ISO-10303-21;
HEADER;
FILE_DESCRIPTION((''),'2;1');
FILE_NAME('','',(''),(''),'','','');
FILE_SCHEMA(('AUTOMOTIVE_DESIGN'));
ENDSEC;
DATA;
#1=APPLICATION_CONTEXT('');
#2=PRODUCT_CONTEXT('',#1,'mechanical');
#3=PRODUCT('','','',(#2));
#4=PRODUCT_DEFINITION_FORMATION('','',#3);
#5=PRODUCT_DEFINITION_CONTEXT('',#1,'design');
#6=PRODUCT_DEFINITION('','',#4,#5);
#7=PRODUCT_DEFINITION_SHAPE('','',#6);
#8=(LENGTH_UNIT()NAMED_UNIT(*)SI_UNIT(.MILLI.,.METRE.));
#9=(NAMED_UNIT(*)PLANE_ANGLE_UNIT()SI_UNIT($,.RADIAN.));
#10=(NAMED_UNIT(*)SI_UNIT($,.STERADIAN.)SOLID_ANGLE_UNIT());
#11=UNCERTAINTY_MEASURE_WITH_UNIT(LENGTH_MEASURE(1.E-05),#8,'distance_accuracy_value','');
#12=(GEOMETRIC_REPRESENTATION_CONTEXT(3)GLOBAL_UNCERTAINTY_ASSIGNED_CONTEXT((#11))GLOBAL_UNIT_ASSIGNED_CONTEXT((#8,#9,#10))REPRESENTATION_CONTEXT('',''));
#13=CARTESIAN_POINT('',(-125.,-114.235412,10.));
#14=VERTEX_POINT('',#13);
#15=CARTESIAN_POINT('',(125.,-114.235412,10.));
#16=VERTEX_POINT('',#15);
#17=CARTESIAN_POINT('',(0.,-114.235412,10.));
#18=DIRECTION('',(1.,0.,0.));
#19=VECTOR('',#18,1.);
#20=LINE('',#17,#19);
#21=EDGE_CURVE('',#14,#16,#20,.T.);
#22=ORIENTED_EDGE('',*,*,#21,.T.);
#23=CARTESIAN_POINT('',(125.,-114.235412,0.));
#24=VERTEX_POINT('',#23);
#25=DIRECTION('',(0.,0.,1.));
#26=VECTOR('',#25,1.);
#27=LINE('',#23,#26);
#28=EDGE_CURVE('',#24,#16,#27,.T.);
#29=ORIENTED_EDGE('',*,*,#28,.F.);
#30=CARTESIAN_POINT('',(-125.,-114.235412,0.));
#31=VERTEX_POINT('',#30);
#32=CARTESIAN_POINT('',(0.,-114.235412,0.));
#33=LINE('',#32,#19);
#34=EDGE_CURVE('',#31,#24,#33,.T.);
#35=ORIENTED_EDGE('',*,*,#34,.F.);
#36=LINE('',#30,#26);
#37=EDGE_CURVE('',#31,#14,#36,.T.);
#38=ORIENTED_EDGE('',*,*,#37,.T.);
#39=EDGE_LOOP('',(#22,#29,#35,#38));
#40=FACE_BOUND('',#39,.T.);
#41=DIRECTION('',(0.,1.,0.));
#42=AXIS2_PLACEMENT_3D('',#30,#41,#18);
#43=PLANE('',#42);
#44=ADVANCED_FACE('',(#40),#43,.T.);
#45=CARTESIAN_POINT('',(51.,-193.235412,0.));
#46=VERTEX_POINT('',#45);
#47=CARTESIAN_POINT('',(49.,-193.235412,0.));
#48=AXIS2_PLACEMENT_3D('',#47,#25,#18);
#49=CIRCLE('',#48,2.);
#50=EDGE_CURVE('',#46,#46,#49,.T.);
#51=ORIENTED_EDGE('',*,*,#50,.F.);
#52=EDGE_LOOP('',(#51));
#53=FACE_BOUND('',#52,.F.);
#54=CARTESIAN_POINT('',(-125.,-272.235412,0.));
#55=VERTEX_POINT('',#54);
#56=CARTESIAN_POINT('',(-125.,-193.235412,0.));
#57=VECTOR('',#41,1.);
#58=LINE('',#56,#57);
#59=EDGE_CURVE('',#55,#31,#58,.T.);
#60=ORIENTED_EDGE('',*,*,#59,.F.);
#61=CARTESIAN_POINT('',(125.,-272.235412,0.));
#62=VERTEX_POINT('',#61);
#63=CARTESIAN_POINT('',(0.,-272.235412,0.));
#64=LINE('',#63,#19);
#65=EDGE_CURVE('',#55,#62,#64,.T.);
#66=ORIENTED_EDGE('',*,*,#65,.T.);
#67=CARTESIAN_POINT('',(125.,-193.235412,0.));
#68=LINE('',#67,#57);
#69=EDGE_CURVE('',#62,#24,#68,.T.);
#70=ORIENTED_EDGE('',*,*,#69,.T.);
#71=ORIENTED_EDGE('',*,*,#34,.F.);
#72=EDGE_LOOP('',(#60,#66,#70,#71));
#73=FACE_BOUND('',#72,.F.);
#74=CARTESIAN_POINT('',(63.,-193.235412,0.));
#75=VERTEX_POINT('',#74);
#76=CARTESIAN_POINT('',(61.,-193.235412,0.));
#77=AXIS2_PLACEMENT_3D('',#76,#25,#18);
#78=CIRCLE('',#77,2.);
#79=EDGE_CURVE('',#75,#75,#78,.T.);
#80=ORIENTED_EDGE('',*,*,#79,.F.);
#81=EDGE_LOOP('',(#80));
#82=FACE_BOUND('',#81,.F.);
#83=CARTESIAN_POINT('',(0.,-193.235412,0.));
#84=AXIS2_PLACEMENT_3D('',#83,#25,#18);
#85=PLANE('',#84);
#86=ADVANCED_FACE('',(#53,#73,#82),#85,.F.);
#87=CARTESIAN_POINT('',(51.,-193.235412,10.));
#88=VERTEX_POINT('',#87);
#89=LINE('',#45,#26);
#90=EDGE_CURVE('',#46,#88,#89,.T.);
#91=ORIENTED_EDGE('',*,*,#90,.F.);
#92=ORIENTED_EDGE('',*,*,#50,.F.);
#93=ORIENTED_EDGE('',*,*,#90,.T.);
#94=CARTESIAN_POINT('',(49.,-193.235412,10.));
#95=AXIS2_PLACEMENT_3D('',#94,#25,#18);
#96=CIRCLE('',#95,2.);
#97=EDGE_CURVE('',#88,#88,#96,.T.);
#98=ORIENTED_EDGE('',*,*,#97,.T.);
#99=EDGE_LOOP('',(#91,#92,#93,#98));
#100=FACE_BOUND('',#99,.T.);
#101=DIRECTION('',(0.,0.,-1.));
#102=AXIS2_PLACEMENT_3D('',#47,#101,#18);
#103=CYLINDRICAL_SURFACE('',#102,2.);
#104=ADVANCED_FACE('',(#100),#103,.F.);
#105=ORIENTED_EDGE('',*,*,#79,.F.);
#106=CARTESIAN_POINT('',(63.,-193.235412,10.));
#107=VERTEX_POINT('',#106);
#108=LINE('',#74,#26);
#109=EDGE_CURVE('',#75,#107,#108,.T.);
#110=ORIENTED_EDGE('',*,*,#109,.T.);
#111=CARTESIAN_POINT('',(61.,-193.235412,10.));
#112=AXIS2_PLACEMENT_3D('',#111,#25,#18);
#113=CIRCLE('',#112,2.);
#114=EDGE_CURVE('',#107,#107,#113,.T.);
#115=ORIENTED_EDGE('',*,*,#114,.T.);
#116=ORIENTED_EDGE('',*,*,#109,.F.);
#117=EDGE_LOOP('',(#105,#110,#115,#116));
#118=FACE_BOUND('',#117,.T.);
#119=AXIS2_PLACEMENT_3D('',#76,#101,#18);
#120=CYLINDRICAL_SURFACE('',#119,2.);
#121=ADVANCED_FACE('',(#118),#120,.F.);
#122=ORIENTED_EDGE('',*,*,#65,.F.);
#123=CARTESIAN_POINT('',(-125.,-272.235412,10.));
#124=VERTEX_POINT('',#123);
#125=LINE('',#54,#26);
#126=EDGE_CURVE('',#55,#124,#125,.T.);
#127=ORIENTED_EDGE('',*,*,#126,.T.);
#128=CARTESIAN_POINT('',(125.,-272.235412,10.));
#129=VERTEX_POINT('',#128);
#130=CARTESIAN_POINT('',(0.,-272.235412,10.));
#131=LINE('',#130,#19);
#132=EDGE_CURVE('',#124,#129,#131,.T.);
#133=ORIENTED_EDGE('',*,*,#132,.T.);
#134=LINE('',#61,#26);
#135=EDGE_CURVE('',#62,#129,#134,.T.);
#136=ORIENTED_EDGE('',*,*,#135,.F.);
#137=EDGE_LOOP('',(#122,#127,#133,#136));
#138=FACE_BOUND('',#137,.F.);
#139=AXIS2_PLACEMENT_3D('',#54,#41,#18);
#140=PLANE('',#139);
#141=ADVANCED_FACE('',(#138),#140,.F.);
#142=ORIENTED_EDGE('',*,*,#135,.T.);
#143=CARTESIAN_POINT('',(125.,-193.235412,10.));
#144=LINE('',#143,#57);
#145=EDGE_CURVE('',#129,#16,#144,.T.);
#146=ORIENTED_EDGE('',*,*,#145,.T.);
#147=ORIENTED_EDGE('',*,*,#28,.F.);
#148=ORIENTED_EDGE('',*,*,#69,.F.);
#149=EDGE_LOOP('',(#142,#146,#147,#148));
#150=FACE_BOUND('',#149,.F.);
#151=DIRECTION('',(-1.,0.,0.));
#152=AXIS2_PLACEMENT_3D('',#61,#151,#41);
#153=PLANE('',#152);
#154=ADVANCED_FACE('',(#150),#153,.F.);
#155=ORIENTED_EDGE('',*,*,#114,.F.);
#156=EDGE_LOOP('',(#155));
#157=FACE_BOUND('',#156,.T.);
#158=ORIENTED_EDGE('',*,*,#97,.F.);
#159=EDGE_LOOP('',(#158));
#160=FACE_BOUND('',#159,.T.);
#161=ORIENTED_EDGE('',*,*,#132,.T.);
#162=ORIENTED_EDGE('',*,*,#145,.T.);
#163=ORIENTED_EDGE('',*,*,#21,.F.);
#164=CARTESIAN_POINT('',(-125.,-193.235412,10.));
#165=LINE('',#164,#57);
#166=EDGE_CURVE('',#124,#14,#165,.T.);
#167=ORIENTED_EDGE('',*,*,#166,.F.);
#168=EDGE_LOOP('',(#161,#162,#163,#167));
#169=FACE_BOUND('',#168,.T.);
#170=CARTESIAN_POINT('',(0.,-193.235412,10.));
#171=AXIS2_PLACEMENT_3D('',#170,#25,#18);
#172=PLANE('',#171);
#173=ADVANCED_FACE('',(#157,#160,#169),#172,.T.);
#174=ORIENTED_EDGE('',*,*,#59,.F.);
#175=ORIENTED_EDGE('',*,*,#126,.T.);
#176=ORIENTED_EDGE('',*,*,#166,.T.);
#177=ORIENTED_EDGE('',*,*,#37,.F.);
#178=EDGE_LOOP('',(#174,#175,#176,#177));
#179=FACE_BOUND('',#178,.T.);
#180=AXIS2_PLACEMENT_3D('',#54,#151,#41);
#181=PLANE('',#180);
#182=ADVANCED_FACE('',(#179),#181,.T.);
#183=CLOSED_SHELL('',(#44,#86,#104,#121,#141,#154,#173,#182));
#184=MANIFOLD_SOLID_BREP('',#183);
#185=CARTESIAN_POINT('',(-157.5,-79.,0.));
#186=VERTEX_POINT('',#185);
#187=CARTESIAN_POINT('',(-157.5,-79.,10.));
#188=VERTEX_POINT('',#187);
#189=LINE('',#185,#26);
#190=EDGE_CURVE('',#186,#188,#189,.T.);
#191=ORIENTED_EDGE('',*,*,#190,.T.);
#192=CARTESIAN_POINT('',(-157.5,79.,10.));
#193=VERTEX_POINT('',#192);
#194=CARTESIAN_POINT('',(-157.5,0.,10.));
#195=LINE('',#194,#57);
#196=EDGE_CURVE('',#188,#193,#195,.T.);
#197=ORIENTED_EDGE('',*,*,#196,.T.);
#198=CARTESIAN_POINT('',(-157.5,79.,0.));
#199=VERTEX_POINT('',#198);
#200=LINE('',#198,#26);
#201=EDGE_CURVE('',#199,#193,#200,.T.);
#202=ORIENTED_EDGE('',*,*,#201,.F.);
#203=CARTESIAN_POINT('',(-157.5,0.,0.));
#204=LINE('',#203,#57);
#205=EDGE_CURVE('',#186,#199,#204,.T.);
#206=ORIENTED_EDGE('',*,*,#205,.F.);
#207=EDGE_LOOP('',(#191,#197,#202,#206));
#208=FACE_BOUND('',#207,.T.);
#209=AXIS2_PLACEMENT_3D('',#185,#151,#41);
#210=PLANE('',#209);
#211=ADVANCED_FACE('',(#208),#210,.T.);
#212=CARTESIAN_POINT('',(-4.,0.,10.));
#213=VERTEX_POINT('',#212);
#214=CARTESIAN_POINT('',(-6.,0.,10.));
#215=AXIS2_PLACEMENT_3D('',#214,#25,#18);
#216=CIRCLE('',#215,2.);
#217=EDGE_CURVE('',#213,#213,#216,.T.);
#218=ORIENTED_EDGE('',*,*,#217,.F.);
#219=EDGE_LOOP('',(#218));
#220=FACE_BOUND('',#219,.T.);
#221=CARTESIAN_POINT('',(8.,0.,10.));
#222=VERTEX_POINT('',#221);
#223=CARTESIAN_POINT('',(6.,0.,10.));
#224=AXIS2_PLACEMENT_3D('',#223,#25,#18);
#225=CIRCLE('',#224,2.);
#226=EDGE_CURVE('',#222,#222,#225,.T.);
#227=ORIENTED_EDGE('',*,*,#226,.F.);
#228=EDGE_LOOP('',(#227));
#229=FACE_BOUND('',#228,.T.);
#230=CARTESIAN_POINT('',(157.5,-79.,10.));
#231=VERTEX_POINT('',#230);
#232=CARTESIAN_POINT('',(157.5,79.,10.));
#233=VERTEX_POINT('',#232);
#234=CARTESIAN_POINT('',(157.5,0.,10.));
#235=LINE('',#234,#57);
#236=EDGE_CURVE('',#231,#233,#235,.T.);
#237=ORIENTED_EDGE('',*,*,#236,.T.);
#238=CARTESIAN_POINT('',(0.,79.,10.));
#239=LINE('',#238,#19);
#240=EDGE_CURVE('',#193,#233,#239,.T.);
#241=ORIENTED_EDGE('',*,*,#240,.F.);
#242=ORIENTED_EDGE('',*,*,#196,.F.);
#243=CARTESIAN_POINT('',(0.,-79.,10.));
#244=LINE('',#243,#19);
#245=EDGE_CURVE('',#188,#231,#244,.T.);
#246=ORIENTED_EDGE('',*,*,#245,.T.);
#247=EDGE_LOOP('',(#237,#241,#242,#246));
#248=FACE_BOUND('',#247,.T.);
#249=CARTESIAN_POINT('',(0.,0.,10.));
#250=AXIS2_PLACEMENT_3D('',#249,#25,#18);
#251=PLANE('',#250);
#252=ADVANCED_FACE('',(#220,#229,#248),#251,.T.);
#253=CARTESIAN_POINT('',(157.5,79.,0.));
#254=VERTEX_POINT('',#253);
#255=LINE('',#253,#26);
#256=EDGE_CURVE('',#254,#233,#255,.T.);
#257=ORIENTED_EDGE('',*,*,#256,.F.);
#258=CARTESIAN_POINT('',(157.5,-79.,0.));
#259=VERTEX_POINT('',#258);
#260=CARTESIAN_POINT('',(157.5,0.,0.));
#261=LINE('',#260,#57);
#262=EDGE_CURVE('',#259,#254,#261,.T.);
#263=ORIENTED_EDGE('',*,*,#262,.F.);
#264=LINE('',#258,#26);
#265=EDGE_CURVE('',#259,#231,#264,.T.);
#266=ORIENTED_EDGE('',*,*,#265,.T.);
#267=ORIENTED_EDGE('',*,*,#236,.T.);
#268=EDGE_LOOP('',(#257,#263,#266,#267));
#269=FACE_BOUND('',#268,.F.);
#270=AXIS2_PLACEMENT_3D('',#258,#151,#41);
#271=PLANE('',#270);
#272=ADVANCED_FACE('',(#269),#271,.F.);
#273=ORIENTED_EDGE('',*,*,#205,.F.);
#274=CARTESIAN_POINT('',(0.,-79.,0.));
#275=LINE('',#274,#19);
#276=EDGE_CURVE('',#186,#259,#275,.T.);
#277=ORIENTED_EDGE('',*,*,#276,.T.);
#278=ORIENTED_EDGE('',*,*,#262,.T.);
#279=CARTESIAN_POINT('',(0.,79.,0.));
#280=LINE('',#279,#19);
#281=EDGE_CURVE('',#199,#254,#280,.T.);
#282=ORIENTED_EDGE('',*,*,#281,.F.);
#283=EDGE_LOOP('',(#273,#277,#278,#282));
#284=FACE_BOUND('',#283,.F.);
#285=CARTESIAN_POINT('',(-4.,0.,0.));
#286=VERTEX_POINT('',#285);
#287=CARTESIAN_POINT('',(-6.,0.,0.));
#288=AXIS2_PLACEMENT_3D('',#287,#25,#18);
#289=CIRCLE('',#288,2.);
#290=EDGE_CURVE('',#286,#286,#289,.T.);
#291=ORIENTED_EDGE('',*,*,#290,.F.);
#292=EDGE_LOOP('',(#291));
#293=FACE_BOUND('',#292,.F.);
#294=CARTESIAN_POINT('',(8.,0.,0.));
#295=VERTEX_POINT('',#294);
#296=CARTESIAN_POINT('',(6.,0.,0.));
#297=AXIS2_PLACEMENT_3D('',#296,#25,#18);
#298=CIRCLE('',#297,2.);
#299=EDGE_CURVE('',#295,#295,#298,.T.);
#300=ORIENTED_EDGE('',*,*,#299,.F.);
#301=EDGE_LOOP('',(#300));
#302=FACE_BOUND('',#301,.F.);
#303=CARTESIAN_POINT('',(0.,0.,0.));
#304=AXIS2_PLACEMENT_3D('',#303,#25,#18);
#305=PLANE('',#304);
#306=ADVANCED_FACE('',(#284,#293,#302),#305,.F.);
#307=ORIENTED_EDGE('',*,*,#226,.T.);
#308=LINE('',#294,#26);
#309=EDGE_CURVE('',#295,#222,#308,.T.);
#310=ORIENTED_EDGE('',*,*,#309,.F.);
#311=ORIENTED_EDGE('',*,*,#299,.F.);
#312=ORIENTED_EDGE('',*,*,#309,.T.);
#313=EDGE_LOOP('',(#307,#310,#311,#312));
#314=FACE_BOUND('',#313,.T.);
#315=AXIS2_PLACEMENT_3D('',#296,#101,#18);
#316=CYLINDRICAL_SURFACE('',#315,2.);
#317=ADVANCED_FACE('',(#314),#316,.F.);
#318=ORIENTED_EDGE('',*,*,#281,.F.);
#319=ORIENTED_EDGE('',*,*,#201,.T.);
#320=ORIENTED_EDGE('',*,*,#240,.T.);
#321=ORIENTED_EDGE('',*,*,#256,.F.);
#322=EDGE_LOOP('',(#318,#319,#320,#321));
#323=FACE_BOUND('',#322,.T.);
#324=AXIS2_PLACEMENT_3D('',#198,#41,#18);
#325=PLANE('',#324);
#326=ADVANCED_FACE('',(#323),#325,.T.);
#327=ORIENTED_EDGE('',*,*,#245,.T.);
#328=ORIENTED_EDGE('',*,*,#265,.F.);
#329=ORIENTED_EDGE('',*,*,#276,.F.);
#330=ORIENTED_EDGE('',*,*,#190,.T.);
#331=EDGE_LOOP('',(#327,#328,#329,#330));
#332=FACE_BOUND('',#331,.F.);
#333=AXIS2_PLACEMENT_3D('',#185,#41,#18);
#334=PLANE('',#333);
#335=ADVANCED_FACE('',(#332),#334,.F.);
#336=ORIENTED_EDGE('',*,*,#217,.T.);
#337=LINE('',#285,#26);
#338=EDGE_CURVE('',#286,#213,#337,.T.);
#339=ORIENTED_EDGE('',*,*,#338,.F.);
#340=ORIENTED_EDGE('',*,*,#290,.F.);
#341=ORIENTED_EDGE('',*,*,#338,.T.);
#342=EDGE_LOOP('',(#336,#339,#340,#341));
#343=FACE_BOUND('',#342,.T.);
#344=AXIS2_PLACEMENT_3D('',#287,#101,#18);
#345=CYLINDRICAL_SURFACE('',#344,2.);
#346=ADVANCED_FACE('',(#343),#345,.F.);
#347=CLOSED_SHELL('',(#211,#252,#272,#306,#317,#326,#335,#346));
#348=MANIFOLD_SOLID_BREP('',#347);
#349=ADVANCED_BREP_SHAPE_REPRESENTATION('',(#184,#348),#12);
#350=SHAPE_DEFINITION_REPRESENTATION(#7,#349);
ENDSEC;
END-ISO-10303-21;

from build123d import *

# Parameters (mm, degrees)
F0_W     = 315
F0_H     = 158
F0_R     = 2
F0_W_2   = 250
F1_DEPTH = 10


with BuildPart() as f1:
    # F0 (on Top) → F1 (new body)
    with BuildSketch(Plane.XY):
        Rectangle(F0_W, F0_H)
        with Locations((-6, 0)):
            Circle(F0_R, mode=Mode.SUBTRACT)
        with Locations((6, 0)):
            Circle(F0_R, mode=Mode.SUBTRACT)
        with Locations((0, -193.235412)):
            Rectangle(F0_W_2, F0_H)
        with Locations((49, -193.235412)):
            Circle(F0_R, mode=Mode.SUBTRACT)
        with Locations((61, -193.235412)):
            Circle(F0_R, mode=Mode.SUBTRACT)
    extrude(amount=F1_DEPTH)


solid = f1.part
